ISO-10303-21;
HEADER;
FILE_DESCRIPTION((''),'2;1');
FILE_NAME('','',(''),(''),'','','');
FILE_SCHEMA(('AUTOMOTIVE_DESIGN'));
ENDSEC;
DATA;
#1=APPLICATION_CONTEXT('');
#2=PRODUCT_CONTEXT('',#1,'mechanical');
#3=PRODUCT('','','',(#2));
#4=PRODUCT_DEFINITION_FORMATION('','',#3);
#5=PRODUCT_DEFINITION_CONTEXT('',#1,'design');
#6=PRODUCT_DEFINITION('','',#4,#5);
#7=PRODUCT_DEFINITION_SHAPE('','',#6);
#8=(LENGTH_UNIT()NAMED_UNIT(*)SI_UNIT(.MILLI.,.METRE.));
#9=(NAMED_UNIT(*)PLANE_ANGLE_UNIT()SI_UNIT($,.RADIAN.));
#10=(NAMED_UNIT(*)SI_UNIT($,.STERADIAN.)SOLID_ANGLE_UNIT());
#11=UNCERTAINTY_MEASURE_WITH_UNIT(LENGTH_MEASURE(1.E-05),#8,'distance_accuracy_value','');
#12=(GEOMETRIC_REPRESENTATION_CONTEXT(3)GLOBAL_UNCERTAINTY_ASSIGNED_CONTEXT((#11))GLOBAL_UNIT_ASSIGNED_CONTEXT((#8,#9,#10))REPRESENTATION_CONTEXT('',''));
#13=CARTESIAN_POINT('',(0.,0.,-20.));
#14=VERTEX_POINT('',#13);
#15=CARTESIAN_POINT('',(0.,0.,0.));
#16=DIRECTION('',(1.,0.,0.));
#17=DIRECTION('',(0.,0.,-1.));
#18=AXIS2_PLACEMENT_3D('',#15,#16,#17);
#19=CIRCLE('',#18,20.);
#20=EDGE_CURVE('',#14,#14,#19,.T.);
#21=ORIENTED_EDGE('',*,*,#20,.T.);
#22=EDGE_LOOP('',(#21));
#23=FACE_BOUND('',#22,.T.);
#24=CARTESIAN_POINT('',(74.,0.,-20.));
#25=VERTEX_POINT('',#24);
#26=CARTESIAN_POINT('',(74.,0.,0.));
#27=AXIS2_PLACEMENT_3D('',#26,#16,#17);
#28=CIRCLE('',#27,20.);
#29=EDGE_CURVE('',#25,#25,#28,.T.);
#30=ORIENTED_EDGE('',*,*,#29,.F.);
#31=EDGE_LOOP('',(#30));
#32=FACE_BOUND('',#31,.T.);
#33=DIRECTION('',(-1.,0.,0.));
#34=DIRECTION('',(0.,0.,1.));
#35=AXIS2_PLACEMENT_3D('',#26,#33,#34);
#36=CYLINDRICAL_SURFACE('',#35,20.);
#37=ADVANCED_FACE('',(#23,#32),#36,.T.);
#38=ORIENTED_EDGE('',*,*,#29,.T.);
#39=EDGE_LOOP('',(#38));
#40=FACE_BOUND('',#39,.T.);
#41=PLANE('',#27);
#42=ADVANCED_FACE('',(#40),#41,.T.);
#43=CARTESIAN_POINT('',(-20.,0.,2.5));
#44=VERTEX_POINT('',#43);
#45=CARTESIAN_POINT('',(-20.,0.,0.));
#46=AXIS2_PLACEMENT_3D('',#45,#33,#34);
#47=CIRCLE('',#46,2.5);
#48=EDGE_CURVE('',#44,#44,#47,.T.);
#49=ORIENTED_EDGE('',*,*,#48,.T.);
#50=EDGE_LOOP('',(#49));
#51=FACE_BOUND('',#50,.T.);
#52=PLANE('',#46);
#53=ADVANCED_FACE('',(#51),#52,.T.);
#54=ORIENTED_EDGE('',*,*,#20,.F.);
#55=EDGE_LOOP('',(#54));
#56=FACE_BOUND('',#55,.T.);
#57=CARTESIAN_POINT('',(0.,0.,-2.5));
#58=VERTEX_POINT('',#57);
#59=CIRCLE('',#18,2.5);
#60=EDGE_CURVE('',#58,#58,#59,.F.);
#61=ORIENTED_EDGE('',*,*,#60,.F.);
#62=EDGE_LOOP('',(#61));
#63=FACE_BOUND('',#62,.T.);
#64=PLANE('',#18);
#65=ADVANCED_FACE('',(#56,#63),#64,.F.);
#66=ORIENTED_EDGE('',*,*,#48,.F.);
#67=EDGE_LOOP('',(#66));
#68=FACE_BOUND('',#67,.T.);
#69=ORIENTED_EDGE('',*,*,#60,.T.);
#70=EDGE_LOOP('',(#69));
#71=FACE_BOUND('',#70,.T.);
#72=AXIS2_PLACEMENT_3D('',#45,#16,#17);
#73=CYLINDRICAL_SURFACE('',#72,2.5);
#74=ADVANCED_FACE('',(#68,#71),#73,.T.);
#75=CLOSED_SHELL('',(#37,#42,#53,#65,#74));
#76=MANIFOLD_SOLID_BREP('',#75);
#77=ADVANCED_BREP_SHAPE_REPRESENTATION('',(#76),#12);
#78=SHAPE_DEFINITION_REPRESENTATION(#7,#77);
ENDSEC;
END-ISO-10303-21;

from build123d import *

# Parameters (mm, degrees)
SKETCH1_R           = 20
BOSS_EXTRUDE1_DEPTH = 74
SKETCH2_R           = 2.5
BOSS_EXTRUDE2_DEPTH = 20


with BuildPart() as part:
    # Sketch1 → Boss-Extrude1 (new body)
    with BuildSketch(Plane(origin=(0, 0, 0), x_dir=(0, 0, -1), z_dir=(1, 0, 0))):
        Circle(SKETCH1_R)
    extrude(amount=BOSS_EXTRUDE1_DEPTH)

    # Sketch2 → Boss-Extrude2 (add)
    with BuildSketch(Plane.ZY):
        Circle(SKETCH2_R)
    extrude(amount=BOSS_EXTRUDE2_DEPTH)


solid = part.part
